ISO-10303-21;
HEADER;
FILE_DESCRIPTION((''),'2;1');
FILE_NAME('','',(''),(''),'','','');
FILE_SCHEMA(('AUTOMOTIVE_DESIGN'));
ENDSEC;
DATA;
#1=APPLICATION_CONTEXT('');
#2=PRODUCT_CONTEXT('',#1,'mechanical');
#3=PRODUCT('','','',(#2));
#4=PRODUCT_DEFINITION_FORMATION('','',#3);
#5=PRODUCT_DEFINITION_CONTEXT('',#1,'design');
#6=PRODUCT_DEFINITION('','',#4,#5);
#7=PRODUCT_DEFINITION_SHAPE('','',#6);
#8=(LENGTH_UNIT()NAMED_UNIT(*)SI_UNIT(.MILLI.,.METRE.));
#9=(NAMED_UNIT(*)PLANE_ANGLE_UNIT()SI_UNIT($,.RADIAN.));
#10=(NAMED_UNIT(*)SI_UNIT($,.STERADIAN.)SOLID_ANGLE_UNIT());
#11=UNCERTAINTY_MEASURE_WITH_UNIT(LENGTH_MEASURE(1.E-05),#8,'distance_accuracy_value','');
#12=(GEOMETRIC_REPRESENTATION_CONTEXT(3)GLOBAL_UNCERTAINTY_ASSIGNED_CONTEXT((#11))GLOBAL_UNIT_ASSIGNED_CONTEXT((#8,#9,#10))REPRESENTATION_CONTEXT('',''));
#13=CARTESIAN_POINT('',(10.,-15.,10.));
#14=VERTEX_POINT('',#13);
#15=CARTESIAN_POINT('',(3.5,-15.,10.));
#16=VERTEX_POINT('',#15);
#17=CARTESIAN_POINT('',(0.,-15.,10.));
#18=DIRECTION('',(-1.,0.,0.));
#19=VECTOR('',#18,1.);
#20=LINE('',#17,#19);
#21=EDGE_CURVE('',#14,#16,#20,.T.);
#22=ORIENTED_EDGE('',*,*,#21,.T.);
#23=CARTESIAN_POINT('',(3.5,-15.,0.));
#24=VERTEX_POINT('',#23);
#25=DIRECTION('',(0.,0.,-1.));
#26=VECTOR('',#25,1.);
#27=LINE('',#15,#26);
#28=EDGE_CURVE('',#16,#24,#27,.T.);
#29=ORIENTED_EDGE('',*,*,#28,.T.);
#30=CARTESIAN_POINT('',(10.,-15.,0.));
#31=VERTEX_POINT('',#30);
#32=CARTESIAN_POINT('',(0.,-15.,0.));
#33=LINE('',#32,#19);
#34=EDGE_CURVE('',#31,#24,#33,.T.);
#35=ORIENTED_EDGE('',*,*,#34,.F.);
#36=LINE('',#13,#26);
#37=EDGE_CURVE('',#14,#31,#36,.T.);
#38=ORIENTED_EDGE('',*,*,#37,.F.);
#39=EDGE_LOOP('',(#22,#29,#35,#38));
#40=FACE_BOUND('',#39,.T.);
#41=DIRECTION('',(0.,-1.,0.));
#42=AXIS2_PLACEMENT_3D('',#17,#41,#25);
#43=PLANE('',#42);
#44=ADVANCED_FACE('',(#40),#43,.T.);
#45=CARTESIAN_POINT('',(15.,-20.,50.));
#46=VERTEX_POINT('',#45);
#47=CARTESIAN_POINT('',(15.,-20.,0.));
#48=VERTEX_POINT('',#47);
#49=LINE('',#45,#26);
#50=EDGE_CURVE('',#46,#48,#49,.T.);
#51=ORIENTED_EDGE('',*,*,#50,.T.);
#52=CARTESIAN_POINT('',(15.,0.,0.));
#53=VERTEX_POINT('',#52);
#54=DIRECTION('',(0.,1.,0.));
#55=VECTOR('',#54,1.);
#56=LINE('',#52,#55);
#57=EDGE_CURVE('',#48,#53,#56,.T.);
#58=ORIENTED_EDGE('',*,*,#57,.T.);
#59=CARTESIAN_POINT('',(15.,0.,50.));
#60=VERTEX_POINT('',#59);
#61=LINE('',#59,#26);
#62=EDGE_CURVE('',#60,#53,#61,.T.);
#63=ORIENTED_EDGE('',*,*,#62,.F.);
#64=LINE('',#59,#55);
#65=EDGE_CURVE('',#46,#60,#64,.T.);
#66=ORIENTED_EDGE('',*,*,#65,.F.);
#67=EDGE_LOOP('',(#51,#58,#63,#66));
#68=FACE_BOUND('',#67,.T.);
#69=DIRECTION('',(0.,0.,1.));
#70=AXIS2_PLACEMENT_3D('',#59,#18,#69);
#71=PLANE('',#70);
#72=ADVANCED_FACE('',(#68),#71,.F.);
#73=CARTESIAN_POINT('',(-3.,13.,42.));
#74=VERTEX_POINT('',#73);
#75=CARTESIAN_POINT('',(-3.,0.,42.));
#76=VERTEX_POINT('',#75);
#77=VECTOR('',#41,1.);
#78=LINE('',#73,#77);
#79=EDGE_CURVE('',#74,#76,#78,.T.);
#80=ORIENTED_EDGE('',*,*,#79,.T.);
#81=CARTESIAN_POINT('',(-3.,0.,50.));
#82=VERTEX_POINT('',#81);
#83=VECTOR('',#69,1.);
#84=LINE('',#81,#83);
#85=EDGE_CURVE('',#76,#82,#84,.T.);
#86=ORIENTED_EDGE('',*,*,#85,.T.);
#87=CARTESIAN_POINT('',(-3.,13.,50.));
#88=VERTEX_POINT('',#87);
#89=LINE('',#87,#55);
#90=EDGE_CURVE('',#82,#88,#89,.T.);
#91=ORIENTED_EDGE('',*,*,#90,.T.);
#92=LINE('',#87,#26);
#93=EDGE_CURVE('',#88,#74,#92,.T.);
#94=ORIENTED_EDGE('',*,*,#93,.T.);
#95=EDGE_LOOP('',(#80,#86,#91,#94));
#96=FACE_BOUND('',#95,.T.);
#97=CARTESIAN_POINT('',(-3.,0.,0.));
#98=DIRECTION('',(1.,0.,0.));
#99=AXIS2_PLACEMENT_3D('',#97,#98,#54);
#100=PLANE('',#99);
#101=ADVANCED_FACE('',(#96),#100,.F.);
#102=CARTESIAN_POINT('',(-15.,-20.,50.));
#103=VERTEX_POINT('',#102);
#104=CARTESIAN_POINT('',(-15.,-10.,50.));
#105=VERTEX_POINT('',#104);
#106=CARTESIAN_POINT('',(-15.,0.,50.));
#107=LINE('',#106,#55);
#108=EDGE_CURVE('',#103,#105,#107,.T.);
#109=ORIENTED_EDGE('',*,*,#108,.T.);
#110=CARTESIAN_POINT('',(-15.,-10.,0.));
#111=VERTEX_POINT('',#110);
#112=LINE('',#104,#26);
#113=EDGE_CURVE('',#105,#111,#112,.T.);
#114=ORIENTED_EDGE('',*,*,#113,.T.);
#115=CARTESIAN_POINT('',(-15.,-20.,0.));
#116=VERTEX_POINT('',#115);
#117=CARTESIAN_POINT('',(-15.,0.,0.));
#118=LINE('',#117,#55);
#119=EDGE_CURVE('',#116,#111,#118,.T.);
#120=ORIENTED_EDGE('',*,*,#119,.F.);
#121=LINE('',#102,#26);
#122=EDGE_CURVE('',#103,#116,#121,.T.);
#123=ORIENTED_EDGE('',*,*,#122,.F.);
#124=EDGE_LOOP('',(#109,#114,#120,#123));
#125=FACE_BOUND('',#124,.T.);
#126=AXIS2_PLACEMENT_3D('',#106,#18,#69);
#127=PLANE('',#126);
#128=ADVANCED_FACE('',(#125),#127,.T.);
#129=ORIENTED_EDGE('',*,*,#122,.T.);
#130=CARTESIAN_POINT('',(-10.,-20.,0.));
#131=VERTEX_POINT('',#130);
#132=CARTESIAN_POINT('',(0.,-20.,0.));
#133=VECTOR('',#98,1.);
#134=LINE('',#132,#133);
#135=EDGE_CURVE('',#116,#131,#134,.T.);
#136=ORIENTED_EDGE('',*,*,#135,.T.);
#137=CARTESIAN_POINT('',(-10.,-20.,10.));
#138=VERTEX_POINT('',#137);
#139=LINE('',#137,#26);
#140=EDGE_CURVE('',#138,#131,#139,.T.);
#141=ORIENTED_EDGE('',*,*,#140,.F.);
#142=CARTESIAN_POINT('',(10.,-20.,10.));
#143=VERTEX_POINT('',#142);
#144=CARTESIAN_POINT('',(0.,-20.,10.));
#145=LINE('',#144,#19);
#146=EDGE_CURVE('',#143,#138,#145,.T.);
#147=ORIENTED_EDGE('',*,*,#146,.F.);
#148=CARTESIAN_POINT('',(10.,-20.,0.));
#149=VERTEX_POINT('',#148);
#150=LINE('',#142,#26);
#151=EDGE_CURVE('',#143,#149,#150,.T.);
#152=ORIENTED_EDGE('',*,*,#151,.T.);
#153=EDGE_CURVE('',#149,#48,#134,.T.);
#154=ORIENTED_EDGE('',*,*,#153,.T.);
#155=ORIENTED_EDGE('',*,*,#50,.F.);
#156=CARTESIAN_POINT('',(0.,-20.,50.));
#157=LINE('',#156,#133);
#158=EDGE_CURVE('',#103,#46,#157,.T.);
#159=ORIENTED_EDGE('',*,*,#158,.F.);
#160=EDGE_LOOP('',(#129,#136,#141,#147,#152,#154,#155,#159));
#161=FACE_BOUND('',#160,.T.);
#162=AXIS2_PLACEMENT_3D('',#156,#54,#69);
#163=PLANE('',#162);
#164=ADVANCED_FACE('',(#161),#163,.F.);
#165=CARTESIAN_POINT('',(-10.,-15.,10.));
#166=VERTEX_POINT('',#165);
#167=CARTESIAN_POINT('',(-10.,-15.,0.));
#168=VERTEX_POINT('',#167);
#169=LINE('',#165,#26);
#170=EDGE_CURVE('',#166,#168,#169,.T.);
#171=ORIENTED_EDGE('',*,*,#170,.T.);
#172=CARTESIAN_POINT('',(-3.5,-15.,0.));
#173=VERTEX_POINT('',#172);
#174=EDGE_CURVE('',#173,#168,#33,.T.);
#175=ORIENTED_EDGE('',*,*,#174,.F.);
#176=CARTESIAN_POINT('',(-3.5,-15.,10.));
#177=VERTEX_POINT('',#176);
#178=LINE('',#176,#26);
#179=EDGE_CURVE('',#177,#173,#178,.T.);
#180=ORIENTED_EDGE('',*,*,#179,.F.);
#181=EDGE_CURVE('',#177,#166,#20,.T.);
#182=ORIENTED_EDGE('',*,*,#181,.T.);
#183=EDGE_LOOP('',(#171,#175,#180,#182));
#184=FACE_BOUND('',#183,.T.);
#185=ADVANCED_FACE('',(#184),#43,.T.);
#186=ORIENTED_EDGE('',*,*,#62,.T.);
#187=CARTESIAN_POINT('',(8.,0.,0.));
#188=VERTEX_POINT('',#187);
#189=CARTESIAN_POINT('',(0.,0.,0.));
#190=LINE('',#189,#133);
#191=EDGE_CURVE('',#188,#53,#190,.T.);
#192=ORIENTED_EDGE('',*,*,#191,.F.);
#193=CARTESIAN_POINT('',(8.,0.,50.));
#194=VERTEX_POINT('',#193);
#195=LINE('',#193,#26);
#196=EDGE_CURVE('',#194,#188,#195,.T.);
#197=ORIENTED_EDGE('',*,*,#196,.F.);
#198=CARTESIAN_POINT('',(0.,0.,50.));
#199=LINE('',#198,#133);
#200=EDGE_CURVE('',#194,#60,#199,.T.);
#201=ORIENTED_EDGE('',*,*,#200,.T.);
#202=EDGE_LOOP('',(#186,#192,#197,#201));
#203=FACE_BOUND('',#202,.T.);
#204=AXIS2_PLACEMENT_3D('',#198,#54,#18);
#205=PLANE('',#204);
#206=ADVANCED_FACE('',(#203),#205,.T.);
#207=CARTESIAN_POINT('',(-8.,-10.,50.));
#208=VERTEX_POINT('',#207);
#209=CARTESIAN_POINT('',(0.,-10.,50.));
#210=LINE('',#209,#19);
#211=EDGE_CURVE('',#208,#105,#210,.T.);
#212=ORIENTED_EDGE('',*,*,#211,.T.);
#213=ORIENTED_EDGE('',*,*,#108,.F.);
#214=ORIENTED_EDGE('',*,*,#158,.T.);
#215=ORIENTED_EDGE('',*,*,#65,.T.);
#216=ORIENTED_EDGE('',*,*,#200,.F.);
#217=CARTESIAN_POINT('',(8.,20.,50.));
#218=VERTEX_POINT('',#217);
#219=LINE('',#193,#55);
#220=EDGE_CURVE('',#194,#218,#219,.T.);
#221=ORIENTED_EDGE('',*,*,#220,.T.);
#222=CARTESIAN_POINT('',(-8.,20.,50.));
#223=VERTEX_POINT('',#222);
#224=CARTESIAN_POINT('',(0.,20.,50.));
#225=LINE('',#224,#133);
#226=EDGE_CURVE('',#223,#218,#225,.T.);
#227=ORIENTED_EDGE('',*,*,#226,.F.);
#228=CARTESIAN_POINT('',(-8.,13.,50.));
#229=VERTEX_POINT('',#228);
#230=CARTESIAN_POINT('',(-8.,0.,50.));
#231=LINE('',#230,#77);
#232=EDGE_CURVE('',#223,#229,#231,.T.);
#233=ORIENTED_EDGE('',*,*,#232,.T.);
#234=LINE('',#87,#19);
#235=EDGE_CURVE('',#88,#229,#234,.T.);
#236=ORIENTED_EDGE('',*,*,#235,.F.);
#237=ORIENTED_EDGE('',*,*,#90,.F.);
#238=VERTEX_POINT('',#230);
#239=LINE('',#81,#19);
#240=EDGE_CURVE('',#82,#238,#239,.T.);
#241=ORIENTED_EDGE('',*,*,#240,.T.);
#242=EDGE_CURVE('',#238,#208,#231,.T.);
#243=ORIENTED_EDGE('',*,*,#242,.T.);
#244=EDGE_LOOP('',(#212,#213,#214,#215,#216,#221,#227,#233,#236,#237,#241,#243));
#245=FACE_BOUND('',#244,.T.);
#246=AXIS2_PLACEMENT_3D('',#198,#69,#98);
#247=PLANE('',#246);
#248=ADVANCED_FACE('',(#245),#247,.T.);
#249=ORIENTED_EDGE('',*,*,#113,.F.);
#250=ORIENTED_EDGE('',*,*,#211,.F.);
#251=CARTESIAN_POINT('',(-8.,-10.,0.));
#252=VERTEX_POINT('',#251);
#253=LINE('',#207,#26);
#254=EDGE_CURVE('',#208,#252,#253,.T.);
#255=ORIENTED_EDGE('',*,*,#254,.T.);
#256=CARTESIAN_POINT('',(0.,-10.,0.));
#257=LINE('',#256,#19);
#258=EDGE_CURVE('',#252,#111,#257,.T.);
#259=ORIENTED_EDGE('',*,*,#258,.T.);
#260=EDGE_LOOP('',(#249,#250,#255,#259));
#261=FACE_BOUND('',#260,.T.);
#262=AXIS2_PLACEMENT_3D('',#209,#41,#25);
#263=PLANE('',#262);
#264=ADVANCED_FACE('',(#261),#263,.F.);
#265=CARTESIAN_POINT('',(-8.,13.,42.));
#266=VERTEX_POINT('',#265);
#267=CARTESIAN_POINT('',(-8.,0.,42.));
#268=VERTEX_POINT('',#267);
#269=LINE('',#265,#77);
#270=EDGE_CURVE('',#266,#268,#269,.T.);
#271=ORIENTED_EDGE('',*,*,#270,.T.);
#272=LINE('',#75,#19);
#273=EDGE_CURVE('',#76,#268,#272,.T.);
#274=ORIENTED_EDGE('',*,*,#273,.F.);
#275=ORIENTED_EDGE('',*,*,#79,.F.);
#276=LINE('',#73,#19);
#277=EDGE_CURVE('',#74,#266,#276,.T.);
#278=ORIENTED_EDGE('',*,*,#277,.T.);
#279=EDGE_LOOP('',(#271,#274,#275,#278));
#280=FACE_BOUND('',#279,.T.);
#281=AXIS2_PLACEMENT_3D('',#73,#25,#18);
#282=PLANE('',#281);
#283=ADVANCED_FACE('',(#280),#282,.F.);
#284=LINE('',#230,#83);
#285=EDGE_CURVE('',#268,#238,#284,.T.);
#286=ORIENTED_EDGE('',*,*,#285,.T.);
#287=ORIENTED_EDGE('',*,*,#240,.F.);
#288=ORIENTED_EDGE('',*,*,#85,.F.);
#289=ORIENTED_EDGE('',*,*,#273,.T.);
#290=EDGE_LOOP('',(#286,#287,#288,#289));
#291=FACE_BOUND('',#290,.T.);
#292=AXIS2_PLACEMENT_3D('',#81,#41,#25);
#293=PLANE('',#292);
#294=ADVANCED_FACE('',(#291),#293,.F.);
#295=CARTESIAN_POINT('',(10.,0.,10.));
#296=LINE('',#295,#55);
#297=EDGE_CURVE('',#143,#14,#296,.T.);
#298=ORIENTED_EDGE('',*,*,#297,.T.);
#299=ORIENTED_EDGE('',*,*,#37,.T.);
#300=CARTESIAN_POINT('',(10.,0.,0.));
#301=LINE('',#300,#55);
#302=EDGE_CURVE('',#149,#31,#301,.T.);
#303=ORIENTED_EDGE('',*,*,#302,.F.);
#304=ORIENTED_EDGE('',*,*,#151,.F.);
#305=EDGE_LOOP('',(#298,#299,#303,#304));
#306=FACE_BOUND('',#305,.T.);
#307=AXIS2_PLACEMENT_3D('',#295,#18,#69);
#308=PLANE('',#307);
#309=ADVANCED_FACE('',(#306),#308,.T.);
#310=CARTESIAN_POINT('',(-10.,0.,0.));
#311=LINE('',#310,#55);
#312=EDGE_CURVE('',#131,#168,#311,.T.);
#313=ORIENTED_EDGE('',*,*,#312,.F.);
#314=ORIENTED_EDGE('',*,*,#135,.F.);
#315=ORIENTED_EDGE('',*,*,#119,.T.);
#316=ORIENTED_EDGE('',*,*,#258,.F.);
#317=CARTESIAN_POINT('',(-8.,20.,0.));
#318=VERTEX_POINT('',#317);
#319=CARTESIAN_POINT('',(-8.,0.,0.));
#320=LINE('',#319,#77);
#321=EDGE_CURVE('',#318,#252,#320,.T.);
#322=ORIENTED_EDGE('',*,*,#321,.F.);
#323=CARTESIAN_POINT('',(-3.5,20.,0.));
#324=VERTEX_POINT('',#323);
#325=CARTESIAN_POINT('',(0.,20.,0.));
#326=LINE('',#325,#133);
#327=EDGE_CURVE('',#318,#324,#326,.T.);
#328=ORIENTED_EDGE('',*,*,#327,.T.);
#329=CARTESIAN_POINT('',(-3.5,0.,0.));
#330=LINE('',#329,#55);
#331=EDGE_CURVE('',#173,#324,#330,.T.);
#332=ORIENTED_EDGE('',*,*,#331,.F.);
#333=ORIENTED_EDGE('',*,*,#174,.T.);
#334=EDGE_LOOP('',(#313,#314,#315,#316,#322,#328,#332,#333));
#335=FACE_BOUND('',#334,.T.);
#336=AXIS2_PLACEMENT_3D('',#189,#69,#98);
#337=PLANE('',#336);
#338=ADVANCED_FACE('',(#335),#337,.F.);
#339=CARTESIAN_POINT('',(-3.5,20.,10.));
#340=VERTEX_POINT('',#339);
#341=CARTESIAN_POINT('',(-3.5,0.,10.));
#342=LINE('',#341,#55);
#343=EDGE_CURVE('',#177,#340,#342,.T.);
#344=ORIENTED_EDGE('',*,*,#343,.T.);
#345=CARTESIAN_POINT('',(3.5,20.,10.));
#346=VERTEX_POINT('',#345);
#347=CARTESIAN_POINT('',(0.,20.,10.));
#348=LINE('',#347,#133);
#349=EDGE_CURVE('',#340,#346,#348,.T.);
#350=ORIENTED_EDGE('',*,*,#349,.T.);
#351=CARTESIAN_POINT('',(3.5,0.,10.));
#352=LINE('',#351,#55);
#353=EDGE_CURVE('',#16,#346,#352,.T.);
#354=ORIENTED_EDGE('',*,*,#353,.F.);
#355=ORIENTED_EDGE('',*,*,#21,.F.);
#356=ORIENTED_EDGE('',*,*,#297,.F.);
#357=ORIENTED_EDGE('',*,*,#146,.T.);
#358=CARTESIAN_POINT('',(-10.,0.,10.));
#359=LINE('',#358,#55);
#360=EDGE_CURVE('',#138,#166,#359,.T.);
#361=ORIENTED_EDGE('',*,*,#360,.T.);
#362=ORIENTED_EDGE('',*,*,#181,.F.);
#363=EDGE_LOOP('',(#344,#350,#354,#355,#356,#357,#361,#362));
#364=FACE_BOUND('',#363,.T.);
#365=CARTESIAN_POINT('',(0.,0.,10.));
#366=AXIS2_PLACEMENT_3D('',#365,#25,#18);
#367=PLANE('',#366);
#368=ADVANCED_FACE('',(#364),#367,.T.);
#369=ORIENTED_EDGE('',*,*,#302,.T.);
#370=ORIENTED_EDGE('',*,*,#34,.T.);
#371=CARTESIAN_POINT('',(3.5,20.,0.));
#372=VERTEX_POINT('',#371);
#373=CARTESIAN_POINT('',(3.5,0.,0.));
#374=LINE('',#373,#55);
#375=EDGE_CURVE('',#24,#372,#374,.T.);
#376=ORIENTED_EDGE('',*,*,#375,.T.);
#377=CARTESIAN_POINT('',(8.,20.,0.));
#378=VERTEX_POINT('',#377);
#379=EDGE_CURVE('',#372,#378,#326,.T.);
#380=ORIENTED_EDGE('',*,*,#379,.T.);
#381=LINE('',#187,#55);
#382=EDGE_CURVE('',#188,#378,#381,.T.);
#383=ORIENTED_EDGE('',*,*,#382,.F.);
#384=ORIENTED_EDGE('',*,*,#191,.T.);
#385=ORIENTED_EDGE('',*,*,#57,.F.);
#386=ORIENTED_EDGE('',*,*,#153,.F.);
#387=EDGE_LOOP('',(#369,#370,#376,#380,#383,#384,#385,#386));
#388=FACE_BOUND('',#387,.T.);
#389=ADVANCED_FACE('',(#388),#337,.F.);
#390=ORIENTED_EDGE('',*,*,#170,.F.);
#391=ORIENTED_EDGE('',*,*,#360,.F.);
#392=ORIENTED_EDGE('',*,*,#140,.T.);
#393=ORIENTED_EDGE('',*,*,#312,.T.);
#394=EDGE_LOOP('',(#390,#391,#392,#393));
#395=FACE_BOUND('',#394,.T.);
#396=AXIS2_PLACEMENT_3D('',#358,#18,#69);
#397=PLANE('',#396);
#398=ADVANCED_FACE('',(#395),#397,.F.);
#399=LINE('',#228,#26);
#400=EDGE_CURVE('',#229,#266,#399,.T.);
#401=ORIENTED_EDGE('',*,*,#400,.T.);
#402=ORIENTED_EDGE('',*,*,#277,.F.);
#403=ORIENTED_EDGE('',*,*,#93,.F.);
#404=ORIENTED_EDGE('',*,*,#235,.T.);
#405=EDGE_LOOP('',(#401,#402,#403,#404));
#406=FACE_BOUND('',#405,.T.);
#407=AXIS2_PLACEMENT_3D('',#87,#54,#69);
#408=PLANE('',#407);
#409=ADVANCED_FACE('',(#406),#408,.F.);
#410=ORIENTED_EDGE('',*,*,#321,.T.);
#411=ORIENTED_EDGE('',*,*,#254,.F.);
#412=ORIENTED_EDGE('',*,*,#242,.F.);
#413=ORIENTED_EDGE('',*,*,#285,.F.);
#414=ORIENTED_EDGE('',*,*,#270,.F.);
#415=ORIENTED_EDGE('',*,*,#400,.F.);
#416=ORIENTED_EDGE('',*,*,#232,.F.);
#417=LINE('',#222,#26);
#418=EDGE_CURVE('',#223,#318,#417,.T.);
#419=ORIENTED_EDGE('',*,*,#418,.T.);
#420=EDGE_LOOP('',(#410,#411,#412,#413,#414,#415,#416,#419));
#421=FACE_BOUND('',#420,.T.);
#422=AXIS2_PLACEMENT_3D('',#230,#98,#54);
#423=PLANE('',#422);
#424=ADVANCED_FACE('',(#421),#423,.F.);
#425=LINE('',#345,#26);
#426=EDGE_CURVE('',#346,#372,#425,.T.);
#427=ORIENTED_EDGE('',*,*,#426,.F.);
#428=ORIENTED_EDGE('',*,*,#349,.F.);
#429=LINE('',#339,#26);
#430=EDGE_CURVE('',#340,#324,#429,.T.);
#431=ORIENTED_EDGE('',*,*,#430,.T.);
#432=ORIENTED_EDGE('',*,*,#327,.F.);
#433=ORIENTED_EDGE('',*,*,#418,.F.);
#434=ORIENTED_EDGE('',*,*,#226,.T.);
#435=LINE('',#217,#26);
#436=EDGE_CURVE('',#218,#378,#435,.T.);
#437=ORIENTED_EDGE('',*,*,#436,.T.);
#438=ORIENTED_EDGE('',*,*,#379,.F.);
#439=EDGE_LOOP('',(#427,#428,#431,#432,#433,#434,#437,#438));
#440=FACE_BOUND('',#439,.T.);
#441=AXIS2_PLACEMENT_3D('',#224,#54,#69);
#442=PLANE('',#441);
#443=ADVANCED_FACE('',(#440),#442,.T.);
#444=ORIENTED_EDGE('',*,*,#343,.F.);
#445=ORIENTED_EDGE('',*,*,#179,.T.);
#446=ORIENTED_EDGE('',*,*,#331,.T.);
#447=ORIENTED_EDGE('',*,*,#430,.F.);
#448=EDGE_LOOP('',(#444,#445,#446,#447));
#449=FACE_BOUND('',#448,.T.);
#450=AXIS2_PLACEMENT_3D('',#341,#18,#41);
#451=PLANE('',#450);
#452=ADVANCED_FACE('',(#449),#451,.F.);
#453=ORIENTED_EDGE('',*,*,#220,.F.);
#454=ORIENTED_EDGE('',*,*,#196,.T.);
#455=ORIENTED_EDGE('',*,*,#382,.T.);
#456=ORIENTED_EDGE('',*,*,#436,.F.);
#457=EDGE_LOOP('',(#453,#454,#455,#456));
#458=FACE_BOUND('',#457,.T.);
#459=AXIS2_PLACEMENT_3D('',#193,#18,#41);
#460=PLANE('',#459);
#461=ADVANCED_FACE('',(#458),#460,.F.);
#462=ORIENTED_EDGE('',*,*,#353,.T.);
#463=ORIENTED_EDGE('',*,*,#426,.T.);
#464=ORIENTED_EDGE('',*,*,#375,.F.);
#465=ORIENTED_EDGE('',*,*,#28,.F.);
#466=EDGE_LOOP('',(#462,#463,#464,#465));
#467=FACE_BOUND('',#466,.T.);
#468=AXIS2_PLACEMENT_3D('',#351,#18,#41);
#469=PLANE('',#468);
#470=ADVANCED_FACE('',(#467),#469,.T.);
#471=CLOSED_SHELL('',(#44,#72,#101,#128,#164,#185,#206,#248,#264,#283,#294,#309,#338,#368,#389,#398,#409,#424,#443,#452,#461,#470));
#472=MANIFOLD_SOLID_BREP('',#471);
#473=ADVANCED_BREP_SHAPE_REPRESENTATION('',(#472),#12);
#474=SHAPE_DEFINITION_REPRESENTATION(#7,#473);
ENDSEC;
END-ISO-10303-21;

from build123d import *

# Parameters (mm, degrees)
EXTRUDE_2_DEPTH     = 50
SKETCH_2_W          = 7
SKETCH_2_H          = 35
SKETCH_2_H_2        = 5
SKETCH_2_W_2        = 6.5
CUT_EXTRUDE_1_DEPTH = 10
SKETCH_3_W          = 8
SKETCH_3_H          = 13
CUT_EXTRUDE_2_DEPTH = 5


with BuildPart() as part:
    # Эскиз1 → Бобышка-Вытянуть2 (new body)
    with BuildSketch(Plane.XY):
        Polygon((8, 20), (-8, 20), (-8, -10), (-15, -10), (-15, -20), (15, -20), (15, 0), (8, 0), (8, 10), align=None)
    extrude(amount=EXTRUDE_2_DEPTH)

    # Эскиз2 → Вырез-Вытянуть1 (cut)
    with BuildSketch(Plane(origin=(0, 0, 0), x_dir=(-1, 0, 0), z_dir=(0, 0, -1))):
        with Locations((0, 2.5)):
            Rectangle(SKETCH_2_W, SKETCH_2_H)
        with Locations((0, -17.5)):
            Rectangle(SKETCH_2_W, SKETCH_2_H_2)
        with Locations((6.75, -17.5)):
            Rectangle(SKETCH_2_W_2, SKETCH_2_H_2)
        with Locations((-6.75, -17.5)):
            Rectangle(SKETCH_2_W_2, SKETCH_2_H_2)
    extrude(amount=-CUT_EXTRUDE_1_DEPTH, mode=Mode.SUBTRACT)

    # Эскиз3 → Вырез-Вытянуть2 (cut)
    with BuildSketch(Plane.ZY.offset(8)):
        with Locations((46, 6.5)):
            Rectangle(SKETCH_3_W, SKETCH_3_H)
    extrude(amount=-CUT_EXTRUDE_2_DEPTH, mode=Mode.SUBTRACT)


solid = part.part
